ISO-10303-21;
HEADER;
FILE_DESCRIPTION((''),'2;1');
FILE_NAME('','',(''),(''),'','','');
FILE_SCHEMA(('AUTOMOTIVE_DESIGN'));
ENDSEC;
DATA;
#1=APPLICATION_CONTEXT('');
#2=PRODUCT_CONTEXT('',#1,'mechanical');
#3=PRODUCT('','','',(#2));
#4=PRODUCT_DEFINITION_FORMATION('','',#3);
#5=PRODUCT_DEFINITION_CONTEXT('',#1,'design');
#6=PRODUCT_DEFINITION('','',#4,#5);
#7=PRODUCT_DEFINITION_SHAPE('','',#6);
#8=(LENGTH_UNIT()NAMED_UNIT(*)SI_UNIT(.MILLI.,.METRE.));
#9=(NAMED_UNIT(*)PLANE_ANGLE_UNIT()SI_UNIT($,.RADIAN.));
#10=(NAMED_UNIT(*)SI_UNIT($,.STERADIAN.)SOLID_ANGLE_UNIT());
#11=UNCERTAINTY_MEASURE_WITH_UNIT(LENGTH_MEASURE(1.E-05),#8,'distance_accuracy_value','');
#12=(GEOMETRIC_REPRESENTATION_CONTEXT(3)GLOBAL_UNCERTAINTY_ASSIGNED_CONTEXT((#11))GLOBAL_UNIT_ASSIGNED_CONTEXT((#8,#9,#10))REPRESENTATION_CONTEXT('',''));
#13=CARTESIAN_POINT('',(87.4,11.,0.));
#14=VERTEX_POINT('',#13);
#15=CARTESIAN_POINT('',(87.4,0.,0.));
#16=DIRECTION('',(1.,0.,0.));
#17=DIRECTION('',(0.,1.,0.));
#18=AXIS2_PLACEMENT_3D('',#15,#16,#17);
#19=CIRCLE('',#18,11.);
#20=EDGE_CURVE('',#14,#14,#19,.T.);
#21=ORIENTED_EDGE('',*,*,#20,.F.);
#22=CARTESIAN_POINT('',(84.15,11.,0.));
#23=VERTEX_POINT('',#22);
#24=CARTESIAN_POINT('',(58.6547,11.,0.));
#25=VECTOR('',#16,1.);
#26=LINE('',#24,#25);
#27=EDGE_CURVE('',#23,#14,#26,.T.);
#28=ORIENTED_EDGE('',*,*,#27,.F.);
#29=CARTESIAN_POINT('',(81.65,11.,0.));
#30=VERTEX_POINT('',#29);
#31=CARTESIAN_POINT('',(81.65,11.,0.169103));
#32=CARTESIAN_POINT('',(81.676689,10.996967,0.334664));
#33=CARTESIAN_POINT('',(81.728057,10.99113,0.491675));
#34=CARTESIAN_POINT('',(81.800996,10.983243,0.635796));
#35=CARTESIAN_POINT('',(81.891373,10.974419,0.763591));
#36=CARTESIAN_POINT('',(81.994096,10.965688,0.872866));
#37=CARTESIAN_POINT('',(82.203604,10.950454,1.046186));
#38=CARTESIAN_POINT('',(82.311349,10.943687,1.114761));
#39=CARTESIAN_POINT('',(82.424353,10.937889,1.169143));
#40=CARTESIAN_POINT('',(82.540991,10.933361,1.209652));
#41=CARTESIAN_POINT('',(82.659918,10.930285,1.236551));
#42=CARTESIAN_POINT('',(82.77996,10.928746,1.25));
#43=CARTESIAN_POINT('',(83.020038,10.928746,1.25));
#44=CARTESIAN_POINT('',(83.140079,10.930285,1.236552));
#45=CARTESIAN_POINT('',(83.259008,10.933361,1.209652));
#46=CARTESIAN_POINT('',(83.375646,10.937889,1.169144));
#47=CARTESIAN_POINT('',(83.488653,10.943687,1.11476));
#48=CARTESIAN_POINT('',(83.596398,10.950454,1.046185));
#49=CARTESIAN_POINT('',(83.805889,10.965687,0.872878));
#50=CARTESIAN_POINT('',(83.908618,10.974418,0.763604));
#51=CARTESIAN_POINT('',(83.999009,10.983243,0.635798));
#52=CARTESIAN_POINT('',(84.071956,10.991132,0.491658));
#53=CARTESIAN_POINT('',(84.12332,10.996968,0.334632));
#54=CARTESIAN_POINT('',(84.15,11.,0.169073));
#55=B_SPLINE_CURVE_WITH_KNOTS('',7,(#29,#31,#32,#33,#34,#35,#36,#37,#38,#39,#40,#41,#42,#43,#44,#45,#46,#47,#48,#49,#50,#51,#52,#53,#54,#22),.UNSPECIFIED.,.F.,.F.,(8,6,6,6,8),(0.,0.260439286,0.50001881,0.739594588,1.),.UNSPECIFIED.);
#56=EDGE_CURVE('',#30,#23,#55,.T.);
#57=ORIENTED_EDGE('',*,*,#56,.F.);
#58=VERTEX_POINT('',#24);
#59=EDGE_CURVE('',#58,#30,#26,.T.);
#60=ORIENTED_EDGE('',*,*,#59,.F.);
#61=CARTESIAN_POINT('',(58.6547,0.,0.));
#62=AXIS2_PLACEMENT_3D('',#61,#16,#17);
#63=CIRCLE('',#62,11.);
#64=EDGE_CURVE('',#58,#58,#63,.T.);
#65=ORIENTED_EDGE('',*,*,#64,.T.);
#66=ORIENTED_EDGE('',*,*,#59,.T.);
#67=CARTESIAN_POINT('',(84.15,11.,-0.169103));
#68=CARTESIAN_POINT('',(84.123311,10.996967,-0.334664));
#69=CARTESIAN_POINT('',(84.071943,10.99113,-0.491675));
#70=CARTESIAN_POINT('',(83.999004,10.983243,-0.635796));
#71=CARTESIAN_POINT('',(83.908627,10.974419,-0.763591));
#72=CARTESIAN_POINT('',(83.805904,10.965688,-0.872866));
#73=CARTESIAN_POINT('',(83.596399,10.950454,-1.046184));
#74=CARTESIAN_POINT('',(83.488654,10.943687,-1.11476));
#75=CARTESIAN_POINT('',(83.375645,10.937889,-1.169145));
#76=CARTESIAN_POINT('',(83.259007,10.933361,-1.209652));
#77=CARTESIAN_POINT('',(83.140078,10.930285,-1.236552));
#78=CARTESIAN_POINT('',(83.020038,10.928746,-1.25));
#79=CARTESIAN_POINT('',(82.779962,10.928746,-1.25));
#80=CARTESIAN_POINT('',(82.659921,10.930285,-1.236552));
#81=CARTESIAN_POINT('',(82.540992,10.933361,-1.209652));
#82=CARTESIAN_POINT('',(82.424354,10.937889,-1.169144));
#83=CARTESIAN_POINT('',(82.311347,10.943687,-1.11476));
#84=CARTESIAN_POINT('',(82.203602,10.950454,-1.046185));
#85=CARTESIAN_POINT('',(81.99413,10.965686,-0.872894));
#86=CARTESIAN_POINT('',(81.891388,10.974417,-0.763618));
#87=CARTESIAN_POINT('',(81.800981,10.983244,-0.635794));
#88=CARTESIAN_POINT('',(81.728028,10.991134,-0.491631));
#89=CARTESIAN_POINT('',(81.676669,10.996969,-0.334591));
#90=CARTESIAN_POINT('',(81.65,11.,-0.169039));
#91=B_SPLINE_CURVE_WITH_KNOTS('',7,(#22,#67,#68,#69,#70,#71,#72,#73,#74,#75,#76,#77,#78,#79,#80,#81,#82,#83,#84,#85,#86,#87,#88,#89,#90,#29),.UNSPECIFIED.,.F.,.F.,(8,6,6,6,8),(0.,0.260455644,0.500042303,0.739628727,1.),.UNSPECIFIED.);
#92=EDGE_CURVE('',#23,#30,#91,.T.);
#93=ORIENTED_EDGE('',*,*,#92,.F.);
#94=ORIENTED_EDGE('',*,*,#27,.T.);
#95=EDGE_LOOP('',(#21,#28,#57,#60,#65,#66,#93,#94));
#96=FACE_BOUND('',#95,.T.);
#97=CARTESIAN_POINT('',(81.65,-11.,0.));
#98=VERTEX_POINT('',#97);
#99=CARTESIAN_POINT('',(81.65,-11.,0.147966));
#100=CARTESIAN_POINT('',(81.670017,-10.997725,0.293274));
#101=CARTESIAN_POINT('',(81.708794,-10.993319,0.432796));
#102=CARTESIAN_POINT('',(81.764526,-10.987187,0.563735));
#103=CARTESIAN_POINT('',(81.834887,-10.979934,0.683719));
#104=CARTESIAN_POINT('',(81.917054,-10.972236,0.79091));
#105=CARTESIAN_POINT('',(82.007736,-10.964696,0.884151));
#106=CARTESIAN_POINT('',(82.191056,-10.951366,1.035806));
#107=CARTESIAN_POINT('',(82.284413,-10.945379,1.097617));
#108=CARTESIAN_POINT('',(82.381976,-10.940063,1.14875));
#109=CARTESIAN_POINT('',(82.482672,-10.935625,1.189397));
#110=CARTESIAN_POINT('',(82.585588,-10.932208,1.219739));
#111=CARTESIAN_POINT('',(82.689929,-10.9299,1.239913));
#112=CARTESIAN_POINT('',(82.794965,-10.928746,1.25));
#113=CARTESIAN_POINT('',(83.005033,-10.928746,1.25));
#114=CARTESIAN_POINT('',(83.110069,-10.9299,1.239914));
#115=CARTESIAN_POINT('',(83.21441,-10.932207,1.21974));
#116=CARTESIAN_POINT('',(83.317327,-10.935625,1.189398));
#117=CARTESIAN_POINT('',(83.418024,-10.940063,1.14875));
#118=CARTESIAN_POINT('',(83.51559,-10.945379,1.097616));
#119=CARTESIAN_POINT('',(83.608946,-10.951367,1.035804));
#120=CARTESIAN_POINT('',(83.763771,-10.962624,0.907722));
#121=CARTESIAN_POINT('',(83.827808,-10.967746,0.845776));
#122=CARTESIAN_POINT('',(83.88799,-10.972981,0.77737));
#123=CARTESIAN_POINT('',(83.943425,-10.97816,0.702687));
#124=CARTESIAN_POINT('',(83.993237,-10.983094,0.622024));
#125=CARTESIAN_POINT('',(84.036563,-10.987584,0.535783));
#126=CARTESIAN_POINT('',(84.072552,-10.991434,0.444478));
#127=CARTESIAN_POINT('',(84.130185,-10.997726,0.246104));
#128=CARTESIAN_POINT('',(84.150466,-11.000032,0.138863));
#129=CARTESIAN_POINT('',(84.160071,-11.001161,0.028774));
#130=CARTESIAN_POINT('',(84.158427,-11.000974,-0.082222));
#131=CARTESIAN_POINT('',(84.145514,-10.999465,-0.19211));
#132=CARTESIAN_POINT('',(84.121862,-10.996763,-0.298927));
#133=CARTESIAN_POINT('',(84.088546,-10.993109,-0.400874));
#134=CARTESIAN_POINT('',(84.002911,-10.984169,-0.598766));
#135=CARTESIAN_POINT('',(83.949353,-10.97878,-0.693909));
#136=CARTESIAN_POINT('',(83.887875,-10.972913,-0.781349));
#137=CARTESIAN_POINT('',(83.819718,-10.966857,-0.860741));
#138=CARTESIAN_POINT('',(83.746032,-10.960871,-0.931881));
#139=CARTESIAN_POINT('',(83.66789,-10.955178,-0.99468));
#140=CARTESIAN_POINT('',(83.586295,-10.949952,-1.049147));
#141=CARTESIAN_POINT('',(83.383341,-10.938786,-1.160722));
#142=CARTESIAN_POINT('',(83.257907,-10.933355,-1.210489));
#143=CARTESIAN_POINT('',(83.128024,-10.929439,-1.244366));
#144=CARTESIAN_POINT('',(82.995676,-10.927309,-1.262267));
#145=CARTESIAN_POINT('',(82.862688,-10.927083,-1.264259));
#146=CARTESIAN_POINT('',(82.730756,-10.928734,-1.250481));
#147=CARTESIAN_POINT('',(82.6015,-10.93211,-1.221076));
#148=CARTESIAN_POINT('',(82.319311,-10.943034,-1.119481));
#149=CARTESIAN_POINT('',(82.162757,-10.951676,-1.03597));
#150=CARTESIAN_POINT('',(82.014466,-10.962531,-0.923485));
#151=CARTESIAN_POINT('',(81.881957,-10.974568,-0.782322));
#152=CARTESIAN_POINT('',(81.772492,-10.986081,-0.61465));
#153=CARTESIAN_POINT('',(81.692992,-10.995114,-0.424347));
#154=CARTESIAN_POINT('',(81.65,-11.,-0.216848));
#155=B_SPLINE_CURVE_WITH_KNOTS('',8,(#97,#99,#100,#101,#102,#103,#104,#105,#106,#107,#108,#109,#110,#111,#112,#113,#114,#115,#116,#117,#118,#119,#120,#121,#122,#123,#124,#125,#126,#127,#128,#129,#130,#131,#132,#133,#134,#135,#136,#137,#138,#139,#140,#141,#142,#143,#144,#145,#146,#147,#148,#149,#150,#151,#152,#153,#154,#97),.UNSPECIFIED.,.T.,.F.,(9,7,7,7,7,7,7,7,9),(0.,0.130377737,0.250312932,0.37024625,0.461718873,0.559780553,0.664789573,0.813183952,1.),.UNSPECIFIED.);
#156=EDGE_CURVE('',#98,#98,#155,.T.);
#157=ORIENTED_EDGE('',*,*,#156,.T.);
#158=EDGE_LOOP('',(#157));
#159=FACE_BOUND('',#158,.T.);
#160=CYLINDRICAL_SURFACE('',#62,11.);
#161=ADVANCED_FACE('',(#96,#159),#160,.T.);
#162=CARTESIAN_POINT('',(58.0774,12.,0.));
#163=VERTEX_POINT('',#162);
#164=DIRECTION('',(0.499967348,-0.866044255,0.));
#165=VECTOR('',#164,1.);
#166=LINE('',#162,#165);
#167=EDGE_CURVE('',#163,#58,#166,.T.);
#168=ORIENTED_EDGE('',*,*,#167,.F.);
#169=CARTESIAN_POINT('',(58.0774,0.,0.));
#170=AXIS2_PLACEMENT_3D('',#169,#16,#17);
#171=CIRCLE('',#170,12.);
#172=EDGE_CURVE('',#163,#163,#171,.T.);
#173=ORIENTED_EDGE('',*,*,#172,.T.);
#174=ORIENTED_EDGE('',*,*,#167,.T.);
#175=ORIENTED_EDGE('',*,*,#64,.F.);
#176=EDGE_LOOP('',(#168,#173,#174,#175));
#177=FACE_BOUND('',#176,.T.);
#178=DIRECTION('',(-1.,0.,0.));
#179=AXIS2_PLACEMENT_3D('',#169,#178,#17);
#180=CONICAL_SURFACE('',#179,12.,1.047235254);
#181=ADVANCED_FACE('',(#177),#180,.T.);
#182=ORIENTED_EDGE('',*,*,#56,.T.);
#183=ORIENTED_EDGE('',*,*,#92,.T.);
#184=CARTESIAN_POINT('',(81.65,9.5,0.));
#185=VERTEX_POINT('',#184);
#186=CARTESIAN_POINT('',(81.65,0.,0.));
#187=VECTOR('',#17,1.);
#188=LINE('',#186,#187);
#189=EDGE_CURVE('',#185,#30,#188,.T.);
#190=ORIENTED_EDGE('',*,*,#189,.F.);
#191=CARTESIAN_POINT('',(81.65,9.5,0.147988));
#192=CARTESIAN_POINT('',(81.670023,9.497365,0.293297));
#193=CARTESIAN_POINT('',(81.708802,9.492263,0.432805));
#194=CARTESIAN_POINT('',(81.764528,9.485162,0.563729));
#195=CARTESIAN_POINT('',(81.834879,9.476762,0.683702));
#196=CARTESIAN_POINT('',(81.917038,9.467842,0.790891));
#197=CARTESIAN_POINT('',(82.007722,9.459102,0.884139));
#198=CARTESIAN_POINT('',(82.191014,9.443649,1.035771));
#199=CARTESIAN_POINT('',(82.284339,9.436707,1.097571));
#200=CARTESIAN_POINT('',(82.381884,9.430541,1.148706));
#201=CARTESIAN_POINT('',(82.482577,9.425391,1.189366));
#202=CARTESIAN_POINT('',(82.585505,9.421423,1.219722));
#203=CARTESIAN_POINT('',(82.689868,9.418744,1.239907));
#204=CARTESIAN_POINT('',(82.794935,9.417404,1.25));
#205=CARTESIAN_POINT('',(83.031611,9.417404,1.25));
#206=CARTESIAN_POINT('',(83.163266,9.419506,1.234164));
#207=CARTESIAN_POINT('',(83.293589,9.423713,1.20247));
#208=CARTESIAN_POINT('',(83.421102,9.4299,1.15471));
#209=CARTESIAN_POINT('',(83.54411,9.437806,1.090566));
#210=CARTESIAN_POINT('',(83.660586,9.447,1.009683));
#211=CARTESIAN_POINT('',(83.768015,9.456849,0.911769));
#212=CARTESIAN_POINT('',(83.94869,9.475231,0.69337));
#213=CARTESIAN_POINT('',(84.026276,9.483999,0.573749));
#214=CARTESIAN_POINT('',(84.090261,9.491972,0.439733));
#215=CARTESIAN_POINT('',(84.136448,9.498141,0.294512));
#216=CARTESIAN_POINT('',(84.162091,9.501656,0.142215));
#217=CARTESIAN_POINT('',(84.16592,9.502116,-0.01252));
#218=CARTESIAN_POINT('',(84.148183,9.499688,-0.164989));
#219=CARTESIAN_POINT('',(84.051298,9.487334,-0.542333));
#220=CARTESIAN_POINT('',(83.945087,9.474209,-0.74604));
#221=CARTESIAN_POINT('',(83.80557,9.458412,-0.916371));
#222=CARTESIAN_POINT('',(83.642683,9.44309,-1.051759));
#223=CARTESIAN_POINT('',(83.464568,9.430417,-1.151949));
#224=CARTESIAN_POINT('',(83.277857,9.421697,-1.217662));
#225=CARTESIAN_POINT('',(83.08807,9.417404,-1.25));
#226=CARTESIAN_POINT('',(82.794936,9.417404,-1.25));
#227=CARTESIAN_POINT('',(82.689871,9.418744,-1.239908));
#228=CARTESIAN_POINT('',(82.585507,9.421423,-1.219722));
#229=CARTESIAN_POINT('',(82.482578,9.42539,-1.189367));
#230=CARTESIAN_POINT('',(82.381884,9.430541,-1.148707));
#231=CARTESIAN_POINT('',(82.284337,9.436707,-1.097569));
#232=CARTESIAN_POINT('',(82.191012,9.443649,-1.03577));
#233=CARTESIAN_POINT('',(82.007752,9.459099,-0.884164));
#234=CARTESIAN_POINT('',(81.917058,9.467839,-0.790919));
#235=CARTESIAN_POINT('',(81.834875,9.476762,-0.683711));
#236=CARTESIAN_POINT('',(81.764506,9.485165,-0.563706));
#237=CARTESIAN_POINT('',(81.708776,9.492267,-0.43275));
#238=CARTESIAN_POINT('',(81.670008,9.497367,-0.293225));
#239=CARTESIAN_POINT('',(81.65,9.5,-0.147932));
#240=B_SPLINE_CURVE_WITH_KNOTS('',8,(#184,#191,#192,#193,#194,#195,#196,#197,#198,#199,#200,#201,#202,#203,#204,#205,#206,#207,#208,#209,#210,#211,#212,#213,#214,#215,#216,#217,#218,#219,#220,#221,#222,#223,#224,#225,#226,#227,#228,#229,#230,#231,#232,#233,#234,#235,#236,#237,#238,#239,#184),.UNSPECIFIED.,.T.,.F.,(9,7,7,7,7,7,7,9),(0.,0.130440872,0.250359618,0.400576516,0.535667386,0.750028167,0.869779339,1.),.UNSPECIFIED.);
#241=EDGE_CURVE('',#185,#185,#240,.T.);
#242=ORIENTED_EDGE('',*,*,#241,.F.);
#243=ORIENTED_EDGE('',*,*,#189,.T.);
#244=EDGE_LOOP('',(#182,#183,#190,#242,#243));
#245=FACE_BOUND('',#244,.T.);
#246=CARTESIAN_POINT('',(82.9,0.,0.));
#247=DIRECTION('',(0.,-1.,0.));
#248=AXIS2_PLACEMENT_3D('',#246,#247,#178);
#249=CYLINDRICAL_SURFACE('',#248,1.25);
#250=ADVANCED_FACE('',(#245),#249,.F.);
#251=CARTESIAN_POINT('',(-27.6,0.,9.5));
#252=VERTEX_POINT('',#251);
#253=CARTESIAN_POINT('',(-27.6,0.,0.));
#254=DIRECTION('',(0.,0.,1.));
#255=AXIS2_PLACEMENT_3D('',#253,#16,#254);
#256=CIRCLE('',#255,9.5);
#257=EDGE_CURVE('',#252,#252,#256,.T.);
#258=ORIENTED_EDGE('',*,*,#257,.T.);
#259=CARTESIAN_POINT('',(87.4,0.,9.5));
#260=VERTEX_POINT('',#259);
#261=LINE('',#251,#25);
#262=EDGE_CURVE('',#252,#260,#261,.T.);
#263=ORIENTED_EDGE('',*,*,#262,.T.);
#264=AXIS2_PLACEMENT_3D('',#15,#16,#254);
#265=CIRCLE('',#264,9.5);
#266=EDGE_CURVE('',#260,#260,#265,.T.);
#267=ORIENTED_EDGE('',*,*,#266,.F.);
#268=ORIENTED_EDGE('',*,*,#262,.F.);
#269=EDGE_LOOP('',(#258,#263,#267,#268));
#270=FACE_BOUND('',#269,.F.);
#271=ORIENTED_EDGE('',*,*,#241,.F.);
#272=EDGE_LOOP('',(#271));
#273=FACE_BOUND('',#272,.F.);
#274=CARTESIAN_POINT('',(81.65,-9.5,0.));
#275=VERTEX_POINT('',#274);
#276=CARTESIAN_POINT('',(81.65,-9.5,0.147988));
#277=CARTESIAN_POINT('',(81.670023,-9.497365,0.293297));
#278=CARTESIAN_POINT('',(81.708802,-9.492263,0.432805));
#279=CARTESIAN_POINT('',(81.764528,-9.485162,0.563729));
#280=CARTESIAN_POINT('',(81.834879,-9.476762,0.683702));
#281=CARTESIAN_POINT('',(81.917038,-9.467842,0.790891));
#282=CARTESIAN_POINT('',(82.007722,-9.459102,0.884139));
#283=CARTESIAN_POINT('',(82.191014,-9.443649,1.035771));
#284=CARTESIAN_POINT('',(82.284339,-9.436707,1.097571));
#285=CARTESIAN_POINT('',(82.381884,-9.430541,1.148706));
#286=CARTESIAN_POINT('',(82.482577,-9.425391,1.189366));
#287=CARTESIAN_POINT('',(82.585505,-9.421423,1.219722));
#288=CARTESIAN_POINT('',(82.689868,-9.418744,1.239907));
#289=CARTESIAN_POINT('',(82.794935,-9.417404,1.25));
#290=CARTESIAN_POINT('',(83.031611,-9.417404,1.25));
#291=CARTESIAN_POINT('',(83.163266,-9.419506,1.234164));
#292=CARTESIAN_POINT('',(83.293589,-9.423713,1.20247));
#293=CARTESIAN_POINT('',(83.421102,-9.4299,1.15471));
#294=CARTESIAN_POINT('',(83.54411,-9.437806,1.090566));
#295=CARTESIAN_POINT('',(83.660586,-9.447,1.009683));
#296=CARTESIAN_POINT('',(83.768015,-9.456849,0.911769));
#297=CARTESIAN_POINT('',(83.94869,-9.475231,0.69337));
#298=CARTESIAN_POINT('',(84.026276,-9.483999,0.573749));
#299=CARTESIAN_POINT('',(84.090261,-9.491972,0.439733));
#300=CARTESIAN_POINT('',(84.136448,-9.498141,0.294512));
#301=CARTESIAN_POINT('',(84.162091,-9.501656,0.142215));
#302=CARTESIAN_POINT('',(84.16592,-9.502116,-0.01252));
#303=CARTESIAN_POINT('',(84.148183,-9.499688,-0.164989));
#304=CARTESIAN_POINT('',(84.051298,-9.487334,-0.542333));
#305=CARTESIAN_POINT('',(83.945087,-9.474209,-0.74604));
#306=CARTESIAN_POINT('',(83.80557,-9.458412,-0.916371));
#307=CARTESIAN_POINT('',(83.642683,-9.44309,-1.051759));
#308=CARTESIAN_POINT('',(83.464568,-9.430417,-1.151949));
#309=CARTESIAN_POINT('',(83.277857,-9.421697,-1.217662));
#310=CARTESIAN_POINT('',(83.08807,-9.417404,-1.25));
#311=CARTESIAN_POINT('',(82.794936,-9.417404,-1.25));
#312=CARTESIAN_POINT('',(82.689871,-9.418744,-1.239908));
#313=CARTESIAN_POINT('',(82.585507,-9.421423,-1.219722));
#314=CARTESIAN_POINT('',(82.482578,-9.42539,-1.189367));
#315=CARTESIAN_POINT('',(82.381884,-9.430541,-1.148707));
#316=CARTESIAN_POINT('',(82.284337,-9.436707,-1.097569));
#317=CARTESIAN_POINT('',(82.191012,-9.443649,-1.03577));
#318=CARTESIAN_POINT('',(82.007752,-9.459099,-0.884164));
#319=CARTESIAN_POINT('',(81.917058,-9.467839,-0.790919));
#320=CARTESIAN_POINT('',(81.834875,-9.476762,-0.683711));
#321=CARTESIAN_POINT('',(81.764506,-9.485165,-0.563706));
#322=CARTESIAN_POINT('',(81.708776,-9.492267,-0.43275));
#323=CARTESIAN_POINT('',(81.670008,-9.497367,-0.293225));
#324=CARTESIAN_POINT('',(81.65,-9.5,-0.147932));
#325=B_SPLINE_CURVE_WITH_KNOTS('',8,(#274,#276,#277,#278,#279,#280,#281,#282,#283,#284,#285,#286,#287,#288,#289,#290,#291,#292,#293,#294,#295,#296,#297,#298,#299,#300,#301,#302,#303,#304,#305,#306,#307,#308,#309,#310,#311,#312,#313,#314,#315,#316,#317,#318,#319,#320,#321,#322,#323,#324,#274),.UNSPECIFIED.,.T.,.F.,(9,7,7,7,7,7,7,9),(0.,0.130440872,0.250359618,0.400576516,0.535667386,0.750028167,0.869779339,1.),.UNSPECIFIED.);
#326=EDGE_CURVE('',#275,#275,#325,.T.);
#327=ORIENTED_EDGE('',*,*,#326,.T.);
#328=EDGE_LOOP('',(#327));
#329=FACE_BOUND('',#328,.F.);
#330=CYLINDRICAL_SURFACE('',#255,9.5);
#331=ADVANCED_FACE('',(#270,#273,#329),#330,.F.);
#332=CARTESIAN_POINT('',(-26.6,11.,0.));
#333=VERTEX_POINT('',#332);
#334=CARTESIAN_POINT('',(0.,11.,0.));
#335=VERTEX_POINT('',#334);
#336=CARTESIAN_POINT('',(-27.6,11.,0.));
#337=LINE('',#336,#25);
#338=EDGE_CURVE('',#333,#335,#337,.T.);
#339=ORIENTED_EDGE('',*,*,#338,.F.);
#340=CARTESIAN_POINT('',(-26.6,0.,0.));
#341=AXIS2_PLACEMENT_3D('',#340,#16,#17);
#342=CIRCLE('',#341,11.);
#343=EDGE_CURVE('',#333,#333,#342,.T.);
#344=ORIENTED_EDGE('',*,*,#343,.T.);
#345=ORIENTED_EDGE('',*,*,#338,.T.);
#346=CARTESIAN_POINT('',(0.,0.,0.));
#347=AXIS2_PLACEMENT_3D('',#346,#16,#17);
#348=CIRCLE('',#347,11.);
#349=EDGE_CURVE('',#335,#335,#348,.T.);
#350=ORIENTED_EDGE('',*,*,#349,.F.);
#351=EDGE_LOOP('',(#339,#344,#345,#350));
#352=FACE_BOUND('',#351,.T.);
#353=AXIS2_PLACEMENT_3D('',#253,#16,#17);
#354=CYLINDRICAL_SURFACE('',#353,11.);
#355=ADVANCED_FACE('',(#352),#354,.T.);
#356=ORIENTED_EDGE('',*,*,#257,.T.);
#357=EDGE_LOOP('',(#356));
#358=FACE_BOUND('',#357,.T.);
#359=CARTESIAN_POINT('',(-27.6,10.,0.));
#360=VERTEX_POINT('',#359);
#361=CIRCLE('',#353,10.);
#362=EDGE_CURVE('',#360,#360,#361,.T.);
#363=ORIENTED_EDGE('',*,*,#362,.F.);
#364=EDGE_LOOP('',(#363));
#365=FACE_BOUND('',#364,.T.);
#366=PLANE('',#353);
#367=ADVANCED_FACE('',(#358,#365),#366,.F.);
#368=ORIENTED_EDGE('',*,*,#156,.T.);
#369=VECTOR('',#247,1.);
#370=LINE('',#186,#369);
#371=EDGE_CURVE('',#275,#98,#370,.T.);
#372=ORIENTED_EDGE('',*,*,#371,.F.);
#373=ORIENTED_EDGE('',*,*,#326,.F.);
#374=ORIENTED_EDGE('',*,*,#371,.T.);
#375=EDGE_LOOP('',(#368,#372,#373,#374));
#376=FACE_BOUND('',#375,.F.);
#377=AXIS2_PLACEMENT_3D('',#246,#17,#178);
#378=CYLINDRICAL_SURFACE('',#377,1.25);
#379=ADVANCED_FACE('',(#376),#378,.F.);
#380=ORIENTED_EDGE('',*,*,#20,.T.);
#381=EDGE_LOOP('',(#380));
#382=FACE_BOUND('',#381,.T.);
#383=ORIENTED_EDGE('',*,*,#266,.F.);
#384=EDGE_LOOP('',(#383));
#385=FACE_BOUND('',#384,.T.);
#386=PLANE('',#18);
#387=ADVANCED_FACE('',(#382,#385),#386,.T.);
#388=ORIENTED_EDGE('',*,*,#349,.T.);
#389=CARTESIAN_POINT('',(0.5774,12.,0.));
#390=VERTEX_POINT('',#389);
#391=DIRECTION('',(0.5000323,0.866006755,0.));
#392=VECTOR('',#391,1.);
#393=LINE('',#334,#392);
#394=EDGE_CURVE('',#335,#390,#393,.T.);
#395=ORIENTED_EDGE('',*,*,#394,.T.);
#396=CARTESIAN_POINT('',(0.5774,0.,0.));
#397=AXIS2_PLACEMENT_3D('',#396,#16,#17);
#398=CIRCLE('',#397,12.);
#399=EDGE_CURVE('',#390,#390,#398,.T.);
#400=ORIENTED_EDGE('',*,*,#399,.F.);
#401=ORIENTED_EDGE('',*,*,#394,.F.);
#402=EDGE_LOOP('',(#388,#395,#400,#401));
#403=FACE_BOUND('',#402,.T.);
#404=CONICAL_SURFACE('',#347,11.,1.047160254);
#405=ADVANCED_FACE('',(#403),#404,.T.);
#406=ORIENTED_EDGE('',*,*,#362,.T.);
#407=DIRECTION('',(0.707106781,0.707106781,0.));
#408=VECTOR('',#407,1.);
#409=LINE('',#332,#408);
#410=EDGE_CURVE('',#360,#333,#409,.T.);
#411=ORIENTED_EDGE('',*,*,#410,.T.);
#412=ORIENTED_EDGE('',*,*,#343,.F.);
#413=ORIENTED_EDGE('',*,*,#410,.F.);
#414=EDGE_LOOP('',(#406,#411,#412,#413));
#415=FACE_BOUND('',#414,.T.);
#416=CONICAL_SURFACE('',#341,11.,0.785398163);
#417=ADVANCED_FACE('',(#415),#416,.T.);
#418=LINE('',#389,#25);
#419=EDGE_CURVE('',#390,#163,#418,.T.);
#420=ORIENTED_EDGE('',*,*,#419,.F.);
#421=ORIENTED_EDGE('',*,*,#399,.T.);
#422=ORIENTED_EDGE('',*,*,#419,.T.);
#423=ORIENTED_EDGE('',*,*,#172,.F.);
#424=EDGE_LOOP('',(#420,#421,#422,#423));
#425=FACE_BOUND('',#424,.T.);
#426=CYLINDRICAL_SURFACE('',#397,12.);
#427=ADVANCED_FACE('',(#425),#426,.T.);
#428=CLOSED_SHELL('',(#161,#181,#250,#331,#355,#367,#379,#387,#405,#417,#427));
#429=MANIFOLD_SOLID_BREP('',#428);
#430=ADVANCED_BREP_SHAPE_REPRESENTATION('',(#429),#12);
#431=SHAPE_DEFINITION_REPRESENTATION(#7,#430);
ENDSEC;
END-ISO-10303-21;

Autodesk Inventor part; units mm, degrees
ref_plane "YZ Plane" through (0, 0, 0) normal (1, 0, 0) x (0, 1, 0)
ref_plane "XZ Plane" through (0, 0, 0) normal (0, 1, 0) x (-1, 0, 0)
ref_plane "XY Plane" through (0, 0, 0) normal (0, 0, 1) x (1, 0, 0)
sketch "Profile" plane through (0, 0, 0) normal (0, 0, 1) x (1, 0, 0)
  line L0 (-27.6, 0) -> (-27.6, 11)
  line L1 (-27.6, 11) -> (0, 11)
  line L2 (0, 11) -> (0.5774, 12)
  line L3 (0.5774, 12) -> (58.0774, 12)
  line L4 (58.0774, 12) -> (58.6547, 11)
  line L5 (58.6547, 11) -> (87.4, 11)
  line L6 (87.4, 11) -> (87.4, 0)
  line L7 (-27.6, 0) -> (0, 0)
  line L8 (0, 0) -> (0, 9)
  line L9 (0, 9) -> (79.4, 9)
  line L10 (79.4, 9) -> (79.4, 0)
  line L11 (79.4, 0) -> (87.4, 0)
  line L12 (-50.6, 0) -> (110.4, 0) construction
  line L13 (0, 11) -> (0, 9) construction
  dimension "BodyLength" = 115
  dimension "d1" = 11
  dimension "d3" = 120
  dimension "d4" = 120
  dimension "d5" = 57.5
  dimension "d6" = 27.6
  dimension "d16" = 8
  dimension "d29" = 1
  dimension "d30" = 9
revolve "ProfileRevolveFeature" add sketch "Profile" angle 360 about axis through (-10, 0, 0) along (1, 0, 0)
sketch "InsideHole" plane through (-27.6, 0, 0) normal (-1, 0, 0) x (0, 0, 1)
  circle A0 centre (0, 0) radius 9 construction
hole "InsideHoleFeature" at (-27.6, 0, 0) direction (1, 0, 0) diameter 19 end through all
chamfer "EndChamferFeature" distance 1 angle 45 1 edges at (-27.6, -11, 0)
sketch "CapMountHole" plane through (0, 0, 0) normal (0, 1, 0) x (-1, 0, 0)
  line L0 (-87.4, 11) -> (-87.4, -11) construction
  line L1 (13.68, 0) -> (-82.08, 0) construction
  circle A0 centre (-82.9, 0) radius 1.25
  point P0 (0, 0)
  dimension "d31" = 4.5
  dimension "d39" = 2.5
extrude "CapMountHoleFeature" cut sketch "CapMountHole" along normal through all both and the other way through all
equation "\"d5\" = 0.5 * BodyLength"
equation "\"d6\" = 0.24 * BodyLength"
properties part number "BackPair1PistonBody"
